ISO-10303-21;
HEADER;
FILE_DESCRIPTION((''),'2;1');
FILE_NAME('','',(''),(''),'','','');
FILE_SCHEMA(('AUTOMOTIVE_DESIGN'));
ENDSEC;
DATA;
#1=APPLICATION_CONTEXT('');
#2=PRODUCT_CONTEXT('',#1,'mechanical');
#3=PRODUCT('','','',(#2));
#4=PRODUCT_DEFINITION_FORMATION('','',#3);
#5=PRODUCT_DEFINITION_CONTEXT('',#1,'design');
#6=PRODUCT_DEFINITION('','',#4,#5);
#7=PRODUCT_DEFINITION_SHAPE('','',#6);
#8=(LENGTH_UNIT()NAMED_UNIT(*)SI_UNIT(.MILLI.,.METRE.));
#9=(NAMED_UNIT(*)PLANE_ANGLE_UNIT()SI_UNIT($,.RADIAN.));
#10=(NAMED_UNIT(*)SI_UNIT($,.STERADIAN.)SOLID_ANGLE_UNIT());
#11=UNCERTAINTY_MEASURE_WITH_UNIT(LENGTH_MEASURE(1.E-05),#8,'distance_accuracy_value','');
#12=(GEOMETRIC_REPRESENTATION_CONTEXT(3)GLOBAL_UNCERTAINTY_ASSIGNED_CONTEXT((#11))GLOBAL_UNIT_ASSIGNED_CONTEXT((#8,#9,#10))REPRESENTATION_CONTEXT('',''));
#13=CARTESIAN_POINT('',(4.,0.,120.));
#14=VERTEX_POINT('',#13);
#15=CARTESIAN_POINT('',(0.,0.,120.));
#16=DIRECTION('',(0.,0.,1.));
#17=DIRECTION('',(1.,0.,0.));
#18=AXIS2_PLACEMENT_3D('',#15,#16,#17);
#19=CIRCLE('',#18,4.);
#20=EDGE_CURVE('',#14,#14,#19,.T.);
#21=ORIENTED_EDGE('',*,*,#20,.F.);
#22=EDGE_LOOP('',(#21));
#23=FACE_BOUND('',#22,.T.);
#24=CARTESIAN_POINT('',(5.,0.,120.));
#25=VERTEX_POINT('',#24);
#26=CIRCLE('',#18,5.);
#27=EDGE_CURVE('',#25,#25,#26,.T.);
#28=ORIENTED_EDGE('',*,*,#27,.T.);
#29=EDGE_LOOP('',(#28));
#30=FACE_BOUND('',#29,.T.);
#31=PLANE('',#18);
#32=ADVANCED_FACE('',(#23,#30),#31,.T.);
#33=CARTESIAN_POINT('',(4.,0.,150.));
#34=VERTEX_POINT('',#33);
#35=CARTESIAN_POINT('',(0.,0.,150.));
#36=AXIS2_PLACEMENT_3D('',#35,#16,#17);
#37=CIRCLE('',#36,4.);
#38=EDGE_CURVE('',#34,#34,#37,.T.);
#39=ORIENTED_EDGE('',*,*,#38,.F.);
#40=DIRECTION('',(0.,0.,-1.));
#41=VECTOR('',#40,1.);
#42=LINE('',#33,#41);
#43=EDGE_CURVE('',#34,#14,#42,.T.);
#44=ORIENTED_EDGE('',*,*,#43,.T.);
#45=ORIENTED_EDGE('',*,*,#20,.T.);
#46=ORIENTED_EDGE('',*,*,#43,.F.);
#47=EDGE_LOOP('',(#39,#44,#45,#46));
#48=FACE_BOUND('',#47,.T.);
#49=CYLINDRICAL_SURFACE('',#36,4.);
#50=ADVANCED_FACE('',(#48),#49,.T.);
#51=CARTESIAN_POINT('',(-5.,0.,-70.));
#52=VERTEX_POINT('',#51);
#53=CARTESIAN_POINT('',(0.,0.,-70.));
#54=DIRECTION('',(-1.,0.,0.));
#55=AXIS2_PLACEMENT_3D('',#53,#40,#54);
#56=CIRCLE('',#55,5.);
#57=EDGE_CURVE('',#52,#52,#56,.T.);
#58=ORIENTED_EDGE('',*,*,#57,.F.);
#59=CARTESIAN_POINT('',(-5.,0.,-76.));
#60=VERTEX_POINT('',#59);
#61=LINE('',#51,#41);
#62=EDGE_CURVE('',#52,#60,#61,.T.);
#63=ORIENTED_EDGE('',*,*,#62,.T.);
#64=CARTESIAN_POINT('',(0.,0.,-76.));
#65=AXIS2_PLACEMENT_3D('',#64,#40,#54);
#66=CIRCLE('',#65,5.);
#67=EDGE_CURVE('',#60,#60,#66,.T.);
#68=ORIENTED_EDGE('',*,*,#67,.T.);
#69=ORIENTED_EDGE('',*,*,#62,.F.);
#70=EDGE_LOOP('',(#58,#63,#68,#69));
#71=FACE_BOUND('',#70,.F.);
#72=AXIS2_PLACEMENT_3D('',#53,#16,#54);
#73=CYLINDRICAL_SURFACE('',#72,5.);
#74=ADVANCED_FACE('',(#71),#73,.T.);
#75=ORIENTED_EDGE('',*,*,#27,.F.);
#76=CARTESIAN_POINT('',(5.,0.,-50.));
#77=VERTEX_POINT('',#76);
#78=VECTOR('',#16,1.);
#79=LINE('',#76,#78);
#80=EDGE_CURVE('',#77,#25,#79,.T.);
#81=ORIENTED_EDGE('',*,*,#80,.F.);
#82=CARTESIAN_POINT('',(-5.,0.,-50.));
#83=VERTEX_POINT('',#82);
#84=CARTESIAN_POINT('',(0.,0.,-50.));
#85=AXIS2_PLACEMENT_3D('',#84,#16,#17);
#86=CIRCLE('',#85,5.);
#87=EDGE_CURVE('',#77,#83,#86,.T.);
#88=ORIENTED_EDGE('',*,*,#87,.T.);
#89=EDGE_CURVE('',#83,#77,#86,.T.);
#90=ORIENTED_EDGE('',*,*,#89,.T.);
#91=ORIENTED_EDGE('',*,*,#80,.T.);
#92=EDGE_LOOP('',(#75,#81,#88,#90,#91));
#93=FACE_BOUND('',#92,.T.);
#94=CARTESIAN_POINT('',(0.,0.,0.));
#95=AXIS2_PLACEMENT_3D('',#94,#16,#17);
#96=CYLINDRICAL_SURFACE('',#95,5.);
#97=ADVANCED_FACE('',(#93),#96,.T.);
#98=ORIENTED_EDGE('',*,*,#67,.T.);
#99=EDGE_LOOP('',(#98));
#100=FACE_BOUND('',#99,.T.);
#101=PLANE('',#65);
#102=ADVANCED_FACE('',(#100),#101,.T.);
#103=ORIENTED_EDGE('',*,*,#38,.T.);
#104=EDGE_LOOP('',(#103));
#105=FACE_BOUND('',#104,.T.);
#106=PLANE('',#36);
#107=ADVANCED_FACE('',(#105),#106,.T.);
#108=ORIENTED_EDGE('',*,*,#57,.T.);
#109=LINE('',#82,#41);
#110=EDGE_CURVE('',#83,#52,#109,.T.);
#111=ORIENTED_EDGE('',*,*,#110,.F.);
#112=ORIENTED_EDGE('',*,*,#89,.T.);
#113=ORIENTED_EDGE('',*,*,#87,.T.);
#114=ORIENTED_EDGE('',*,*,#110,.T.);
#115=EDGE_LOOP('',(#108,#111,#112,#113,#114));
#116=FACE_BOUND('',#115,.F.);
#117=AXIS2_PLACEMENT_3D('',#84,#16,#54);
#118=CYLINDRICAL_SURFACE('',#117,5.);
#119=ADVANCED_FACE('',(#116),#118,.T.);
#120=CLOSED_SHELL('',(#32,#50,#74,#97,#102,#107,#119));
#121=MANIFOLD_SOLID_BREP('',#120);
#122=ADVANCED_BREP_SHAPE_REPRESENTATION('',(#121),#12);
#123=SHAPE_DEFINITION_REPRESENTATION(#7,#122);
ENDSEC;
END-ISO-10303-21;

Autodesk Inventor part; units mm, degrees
ref_plane "YZ Plane" through (0, 0, 0) normal (1, 0, 0) x (0, 1, 0)
ref_plane "XZ Plane" through (0, 0, 0) normal (0, 1, 0) x (-1, 0, 0)
ref_plane "XY Plane" through (0, 0, 0) normal (0, 0, 1) x (1, 0, 0)
sketch "Sketch1" plane through (0, 0, 0) normal (0, 0, 1) x (1, 0, 0)
  circle A0 centre (0, 0) radius 7.5 projected
  circle A1 centre (0, 0) radius 5.5 projected
  circle A2 centre (0, 0) radius 5 projected
extrude "Extrusion1" add sketch "Sketch1" against normal blind 50 contours A2
sketch "Sketch2" plane through (0, 0, 0) normal (0, 0, 1) x (1, 0, 0)
  point P0 (0, 0)
sketch "Sketch3" plane through (0, 0, 0) normal (0, 0, 1) x (1, 0, 0)
  circle A0 centre (0, 0) radius 5 projected
extrude "Extrusion2" add sketch "Sketch3" along normal blind 150
sketch "Sketch4" plane through (0, 0, 150) normal (0, 0, 1) x (1, 0, 0)
  circle A0 centre (0, 0) radius 5 projected
  circle A1 centre (0, 0) radius 4
  dimension "d4" = 8
extrude "Extrusion3" cut sketch "Sketch4" against normal blind 30
sketch "Sketch5" plane through (0, 0, -50) normal (0, 0, -1) x (-1, 0, 0)
  circle A0 centre (0, 0) radius 5 projected
extrude "Extrusion4" add sketch "Sketch5" along normal blind 20
sketch "Szkic6" plane through (0, 0, -70) normal (0, 0, -1) x (-1, 0, 0)
  circle A0 centre (0, 0) radius 4 projected
  circle A1 centre (0, 0) radius 5
extrude "Wyciągnięcie proste5" add sketch "Szkic6" along normal blind 6 contours A0 | A1
properties part number "os_napedowa"
